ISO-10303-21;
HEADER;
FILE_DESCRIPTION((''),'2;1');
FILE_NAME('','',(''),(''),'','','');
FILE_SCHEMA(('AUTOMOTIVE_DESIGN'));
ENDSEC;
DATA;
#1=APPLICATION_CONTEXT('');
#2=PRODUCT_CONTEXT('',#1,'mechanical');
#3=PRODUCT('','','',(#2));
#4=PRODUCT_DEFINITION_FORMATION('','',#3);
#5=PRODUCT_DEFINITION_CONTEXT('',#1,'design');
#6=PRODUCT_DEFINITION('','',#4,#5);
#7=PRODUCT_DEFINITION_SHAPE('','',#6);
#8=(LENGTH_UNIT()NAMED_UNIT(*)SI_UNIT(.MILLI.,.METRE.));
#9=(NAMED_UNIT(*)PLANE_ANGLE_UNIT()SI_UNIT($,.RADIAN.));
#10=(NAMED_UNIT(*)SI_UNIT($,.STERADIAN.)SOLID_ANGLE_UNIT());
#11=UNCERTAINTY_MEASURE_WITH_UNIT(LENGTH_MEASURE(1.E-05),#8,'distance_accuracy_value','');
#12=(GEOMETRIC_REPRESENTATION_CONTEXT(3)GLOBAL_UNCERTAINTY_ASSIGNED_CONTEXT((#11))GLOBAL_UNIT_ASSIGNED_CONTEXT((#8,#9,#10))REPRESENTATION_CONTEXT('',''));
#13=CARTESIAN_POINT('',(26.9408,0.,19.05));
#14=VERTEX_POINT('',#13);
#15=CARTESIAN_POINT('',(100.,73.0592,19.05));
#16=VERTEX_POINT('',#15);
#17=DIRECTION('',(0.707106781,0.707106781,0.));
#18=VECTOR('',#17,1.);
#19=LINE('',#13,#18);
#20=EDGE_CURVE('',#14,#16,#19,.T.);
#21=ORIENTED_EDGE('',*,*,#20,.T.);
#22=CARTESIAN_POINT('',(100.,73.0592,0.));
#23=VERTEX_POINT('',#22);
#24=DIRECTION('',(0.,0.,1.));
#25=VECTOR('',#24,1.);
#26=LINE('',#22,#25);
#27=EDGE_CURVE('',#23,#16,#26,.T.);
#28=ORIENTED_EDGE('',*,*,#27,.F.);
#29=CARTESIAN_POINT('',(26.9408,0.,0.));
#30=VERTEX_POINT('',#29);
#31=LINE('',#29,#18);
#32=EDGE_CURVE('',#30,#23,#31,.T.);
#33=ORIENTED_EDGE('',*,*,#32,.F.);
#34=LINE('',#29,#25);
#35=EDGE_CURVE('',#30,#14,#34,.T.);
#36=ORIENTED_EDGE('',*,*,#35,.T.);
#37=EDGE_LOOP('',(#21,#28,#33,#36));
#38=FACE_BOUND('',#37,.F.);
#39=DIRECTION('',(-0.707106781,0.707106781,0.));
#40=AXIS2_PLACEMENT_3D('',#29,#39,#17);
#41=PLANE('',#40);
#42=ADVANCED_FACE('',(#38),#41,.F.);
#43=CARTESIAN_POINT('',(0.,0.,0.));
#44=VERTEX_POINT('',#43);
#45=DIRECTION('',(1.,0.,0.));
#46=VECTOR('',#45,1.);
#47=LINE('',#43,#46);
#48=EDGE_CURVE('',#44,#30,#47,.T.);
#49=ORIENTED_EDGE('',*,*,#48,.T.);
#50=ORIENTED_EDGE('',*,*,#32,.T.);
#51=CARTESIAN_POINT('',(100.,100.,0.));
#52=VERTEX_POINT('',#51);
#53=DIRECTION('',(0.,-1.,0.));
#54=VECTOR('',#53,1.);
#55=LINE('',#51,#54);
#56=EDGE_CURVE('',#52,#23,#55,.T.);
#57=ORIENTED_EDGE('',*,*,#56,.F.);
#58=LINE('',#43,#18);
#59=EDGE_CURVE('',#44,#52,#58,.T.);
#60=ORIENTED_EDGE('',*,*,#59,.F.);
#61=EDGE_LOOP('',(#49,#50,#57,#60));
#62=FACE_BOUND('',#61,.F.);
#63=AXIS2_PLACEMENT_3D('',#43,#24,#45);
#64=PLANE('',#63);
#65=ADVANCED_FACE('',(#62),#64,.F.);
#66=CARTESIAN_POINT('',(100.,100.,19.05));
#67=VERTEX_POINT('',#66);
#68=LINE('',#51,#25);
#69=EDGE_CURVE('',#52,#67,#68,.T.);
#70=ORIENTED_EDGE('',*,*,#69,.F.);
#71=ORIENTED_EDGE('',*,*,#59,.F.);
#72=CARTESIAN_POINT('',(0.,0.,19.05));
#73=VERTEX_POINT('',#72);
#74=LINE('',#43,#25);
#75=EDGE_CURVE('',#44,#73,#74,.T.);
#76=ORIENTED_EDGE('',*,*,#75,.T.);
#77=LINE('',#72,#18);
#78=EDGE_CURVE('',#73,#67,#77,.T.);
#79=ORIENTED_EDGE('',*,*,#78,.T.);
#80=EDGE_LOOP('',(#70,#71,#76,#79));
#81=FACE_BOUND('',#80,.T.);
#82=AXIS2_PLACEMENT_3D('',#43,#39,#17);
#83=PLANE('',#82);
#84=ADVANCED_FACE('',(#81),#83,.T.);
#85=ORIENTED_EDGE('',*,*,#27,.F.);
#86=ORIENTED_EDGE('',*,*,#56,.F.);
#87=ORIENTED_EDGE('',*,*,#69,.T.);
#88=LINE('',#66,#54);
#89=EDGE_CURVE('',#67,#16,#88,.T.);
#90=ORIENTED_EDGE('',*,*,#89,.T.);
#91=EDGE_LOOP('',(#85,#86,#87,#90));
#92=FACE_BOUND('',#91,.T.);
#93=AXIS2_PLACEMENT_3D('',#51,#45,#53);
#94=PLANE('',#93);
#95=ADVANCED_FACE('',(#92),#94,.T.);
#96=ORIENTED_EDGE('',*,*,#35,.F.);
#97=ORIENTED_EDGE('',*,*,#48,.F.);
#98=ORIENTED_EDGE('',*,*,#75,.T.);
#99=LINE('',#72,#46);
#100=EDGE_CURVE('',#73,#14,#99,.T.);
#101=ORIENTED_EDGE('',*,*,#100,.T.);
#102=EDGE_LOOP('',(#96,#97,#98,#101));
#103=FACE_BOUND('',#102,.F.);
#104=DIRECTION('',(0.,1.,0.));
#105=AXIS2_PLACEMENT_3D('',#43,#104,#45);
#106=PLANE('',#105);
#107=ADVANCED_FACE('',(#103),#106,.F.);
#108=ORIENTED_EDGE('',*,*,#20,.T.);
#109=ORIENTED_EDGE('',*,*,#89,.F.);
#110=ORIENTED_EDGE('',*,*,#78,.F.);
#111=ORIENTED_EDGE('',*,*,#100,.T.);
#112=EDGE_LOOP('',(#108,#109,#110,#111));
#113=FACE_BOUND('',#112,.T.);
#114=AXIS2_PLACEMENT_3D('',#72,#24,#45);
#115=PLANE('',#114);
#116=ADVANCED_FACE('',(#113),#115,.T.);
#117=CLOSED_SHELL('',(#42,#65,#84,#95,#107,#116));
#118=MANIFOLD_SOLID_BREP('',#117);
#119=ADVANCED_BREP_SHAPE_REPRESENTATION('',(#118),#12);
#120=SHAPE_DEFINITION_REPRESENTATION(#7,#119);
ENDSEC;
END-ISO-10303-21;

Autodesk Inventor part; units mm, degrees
ref_plane "YZ Plane" through (0, 0, 0) normal (1, 0, 0) x (0, 1, 0)
ref_plane "XZ Plane" through (0, 0, 0) normal (0, 1, 0) x (-1, 0, 0)
ref_plane "XY Plane" through (0, 0, 0) normal (0, 0, 1) x (1, 0, 0)
sketch "Sketch1" plane through (0, 0, 0) normal (0, 0, 1) x (1, 0, 0)
  line L0 (0, 0) -> (100, 0) construction
  line L1 (100, 0) -> (100, 100) construction
  line L2 (100, 100) -> (0, 100) construction
  line L3 (0, 100) -> (0, 0) construction
  line L4 (0, 0) -> (100, 100)
  line L5 (0, 0) -> (26.9408, 0)
  line L6 (100, 100) -> (100, 73.0592)
  line L7 (26.9408, 0) -> (100, 73.0592)
  dimension "d1" = 100
  dimension "d2" = 100
  dimension "d35" = 19.05
extrude "Extrusion1" add sketch "Sketch1" along normal blind 19.05
properties part number "C002" material "Wood (Birch)"
